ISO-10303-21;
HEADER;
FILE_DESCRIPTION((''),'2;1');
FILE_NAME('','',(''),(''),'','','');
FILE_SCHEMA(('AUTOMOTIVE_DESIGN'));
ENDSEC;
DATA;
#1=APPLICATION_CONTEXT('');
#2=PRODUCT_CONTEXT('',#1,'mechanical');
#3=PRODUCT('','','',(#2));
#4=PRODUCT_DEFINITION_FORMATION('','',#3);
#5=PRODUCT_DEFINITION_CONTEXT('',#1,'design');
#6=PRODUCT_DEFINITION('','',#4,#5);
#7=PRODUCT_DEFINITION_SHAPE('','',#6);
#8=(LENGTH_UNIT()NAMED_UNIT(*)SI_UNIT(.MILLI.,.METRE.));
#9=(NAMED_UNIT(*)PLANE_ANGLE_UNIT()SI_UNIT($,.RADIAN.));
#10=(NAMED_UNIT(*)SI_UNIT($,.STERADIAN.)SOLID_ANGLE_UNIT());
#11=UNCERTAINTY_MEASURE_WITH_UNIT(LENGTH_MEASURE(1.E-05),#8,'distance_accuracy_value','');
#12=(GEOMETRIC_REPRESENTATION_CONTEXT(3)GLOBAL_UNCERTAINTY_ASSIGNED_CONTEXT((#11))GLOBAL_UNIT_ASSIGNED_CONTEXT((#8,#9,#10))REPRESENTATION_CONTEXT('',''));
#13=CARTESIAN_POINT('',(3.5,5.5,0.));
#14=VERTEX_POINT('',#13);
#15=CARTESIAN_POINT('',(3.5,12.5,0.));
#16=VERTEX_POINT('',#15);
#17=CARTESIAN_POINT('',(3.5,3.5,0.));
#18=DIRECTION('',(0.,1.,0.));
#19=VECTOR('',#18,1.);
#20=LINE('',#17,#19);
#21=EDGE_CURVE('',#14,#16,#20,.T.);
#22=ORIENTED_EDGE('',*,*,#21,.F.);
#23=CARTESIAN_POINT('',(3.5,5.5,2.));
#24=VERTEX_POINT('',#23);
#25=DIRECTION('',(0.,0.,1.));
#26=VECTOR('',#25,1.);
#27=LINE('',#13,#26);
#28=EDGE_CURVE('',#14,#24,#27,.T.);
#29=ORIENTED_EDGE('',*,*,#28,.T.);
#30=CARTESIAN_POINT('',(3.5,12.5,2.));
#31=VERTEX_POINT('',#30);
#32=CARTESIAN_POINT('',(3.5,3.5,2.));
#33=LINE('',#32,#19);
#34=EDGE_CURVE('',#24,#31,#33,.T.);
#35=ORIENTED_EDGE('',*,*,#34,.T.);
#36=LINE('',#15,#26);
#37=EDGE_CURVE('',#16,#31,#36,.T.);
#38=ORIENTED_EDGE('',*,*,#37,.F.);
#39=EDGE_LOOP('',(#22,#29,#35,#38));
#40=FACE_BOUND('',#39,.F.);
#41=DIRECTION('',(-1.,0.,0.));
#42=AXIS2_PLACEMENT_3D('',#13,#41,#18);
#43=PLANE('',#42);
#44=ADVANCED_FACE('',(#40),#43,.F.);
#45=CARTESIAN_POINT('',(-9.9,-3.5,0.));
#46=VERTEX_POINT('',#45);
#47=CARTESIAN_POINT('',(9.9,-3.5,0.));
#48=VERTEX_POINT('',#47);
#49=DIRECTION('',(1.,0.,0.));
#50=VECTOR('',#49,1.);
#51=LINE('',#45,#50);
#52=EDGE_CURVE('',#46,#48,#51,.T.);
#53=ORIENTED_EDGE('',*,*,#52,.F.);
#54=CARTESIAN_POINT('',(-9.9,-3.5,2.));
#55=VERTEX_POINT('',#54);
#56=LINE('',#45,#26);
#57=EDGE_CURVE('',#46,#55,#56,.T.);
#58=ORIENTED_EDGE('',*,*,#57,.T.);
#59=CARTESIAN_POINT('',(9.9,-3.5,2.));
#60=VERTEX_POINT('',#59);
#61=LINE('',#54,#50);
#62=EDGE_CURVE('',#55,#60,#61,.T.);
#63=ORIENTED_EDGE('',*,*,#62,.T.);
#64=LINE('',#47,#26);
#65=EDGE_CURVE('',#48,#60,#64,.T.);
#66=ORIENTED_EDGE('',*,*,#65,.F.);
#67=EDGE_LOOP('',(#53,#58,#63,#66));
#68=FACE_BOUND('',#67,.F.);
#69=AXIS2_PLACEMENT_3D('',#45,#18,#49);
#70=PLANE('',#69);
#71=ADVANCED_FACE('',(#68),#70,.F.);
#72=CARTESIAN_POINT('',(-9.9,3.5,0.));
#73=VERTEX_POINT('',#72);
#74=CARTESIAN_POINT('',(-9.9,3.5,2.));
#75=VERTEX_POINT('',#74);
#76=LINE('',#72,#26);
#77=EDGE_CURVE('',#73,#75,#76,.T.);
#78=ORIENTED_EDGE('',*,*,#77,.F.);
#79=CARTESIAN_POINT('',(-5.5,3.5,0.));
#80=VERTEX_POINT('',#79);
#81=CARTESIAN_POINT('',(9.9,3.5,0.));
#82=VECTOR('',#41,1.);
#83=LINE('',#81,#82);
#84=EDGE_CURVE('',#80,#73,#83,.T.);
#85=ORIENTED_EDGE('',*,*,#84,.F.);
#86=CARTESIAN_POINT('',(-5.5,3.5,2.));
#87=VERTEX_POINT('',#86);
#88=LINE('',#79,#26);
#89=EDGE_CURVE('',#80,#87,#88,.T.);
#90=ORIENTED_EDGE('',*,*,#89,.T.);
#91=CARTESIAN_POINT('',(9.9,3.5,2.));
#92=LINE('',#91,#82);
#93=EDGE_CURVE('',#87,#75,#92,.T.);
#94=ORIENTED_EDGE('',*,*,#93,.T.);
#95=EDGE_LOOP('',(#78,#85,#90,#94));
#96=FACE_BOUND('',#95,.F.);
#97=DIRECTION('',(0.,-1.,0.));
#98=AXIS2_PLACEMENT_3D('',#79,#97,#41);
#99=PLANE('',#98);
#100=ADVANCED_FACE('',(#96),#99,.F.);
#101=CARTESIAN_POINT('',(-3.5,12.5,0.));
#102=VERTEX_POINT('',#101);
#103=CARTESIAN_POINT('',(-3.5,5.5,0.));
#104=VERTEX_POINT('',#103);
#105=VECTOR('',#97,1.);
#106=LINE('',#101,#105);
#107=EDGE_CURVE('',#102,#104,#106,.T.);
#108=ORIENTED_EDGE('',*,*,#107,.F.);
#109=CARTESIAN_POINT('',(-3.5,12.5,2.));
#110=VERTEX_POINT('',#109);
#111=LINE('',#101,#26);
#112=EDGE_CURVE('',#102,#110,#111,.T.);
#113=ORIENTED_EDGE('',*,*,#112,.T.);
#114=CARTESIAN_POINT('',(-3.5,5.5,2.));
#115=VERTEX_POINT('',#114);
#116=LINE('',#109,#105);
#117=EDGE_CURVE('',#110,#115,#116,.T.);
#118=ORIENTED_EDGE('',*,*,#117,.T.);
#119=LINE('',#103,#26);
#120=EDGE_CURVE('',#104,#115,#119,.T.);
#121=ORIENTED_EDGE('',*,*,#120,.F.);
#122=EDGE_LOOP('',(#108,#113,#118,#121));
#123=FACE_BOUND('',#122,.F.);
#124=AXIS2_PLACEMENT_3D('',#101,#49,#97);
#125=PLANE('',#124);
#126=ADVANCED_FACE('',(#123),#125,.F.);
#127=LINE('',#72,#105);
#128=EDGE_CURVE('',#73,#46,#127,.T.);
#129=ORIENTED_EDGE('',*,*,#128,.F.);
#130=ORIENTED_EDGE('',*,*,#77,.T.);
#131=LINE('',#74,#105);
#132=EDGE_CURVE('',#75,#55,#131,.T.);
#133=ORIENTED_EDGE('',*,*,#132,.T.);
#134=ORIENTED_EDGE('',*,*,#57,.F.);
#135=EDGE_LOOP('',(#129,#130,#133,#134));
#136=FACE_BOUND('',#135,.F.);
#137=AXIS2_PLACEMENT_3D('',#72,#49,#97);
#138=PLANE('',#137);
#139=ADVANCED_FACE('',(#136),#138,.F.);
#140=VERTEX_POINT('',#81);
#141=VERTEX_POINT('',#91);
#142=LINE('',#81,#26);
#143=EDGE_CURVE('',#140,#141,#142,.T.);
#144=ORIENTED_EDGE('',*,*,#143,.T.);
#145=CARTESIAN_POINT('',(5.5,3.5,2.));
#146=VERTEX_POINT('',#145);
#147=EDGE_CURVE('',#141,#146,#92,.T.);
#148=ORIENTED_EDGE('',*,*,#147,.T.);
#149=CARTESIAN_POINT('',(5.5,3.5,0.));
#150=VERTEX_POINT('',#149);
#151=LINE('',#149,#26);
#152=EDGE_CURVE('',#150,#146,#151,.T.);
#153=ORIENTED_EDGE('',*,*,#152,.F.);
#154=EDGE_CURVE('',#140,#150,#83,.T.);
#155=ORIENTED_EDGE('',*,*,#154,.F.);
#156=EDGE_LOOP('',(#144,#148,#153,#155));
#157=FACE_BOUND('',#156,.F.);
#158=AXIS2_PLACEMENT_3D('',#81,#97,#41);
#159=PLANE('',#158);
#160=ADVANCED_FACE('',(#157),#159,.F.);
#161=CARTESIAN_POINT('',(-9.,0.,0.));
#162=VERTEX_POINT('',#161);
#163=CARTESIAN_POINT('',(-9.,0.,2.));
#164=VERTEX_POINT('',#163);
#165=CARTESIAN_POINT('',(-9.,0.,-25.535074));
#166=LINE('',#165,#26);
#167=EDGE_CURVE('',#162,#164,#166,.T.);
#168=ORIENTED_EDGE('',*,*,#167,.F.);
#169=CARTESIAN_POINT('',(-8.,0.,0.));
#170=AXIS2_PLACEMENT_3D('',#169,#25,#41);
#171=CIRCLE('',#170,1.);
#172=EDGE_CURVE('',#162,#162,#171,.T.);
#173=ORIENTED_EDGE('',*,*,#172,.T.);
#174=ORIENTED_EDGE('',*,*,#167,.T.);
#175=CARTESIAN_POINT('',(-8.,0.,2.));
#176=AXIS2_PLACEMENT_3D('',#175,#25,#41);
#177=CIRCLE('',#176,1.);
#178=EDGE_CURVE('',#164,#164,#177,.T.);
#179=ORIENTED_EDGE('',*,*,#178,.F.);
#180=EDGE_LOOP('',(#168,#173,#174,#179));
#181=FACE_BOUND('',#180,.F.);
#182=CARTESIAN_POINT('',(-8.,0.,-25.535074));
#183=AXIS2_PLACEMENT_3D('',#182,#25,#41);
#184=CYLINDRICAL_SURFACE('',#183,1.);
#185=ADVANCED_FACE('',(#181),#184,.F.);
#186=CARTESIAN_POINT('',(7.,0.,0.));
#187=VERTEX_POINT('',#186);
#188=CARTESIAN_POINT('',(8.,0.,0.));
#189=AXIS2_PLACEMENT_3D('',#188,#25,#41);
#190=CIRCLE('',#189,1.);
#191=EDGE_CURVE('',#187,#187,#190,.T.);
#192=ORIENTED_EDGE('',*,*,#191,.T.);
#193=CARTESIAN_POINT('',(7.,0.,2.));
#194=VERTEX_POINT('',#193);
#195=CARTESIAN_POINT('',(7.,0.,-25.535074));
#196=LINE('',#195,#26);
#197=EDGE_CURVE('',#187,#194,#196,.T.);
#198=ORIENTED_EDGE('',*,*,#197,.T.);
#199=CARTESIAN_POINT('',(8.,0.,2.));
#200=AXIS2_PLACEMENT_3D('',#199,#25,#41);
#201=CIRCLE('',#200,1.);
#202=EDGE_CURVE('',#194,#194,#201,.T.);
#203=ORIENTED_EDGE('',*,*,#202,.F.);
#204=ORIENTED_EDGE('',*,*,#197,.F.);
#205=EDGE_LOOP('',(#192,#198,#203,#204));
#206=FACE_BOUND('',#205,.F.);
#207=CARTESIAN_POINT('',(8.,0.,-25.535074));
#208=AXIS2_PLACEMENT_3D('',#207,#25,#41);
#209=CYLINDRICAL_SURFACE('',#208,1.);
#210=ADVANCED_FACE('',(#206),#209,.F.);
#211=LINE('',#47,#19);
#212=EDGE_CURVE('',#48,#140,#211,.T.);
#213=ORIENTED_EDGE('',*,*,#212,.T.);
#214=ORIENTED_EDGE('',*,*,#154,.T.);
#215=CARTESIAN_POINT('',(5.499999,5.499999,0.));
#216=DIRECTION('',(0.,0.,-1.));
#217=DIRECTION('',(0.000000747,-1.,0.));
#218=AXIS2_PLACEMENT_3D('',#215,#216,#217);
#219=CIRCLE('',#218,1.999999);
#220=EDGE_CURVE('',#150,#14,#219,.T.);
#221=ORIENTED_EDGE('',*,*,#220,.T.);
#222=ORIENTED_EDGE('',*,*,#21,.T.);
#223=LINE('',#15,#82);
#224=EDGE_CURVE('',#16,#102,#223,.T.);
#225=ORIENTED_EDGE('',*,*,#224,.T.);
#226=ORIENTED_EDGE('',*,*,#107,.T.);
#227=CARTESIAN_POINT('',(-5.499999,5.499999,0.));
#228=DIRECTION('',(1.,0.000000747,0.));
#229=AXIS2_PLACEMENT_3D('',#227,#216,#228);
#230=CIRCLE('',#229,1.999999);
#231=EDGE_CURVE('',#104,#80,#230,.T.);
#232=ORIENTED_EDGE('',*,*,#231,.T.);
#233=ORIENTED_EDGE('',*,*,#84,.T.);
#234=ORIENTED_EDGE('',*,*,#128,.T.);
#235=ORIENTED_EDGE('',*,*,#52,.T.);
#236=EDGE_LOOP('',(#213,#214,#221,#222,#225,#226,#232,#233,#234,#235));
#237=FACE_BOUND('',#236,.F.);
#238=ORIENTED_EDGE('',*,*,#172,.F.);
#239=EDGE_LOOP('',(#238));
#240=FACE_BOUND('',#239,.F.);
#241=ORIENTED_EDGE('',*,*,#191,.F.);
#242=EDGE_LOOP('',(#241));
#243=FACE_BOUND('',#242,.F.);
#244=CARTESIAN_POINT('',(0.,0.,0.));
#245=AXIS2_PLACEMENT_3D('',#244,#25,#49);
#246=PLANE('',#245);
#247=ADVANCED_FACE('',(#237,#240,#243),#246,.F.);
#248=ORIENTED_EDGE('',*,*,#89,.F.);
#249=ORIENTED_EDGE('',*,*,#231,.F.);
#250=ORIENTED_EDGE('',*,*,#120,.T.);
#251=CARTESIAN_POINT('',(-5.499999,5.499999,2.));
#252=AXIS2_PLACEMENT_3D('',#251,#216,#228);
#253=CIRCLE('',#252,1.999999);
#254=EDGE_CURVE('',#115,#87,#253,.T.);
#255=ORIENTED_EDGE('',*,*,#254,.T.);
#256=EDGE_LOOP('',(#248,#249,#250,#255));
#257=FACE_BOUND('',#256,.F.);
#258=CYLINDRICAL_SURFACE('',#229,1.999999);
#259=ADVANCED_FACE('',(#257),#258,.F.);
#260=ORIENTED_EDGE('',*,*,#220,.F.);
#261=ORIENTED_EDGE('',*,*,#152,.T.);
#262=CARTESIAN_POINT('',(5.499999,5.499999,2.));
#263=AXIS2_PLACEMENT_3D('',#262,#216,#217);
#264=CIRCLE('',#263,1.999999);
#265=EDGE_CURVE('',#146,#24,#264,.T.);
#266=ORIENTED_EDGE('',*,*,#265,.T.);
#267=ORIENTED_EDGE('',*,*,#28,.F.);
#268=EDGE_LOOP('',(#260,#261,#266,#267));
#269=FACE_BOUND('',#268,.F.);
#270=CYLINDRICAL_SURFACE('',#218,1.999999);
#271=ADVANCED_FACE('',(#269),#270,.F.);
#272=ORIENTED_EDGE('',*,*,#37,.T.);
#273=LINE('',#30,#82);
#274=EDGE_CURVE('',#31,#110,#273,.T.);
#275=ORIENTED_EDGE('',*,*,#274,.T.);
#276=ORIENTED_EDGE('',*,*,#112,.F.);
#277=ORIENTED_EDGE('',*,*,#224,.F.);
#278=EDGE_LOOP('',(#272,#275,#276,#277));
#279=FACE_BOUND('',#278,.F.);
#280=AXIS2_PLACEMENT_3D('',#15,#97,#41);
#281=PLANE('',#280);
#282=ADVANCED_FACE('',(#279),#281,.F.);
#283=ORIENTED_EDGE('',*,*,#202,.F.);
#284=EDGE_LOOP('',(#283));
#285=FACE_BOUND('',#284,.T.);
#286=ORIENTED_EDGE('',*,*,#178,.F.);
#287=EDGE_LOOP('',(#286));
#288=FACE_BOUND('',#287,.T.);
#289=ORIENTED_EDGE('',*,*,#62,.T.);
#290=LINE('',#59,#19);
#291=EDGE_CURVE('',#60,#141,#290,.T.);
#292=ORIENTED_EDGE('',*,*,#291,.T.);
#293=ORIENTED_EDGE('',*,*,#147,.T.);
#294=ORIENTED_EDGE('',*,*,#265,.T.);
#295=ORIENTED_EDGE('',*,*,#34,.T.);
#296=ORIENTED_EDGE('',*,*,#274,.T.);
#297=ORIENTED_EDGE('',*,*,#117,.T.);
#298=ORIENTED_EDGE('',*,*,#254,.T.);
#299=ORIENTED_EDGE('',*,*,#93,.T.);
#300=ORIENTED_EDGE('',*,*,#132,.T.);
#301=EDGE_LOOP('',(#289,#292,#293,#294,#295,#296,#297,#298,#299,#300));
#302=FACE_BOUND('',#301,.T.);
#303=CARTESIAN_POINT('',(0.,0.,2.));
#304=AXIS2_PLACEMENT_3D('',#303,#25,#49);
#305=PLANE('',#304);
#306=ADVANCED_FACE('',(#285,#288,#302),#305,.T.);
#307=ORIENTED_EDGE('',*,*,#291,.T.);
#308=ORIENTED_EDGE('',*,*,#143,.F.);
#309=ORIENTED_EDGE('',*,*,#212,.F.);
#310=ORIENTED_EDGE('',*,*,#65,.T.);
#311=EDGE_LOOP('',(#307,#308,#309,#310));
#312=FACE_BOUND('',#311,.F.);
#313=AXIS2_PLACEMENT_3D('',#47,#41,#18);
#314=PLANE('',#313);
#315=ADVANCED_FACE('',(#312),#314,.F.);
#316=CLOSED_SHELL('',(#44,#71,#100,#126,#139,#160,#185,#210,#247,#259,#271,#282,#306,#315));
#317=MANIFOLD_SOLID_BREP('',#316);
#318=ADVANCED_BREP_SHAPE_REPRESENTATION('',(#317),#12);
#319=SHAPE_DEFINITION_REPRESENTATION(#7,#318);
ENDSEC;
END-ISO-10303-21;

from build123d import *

# Parameters (mm, degrees)
F1_DEPTH = 2
F2_D     = 2


with BuildPart() as f1:
    # F0 (on Top) → F1 (new body)
    with BuildSketch(Plane.XY):
        Polygon((-9.9, -3.5), (9.9, -3.5), (9.9, 3.5), (5.5, 3.5), (3.5, 3.5), (-3.5, 3.5), (-5.5, 3.5), (-9.9, 3.5), align=None)
        Polygon((-3.5, 3.5), (3.5, 3.5), (3.5, 5.5), (3.5, 12.5), (-3.5, 12.5), (-3.5, 5.5), align=None)
        with BuildLine():
            ThreePointArc((-3.5, 5.5), (-4.085786, 4.085786), (-5.5, 3.5))
            Line((-5.5, 3.5), (-3.5, 3.5))
            Line((-3.5, 3.5), (-3.5, 5.5))
        make_face()
        with BuildLine():
            Line((3.5, 3.5), (5.5, 3.5))
            ThreePointArc((5.5, 3.5), (4.085786, 4.085786), (3.5, 5.5))
            Line((3.5, 5.5), (3.5, 3.5))
        make_face()
    extrude(amount=F1_DEPTH)

    # F2 (through all)
    with Locations(Plane(origin=(0, 0, 0), x_dir=(1, 0, 0), z_dir=(0, 0, -1))):
        with Locations((-8, 0), (8, 0)):
            Hole(F2_D / 2)


solid = f1.part
